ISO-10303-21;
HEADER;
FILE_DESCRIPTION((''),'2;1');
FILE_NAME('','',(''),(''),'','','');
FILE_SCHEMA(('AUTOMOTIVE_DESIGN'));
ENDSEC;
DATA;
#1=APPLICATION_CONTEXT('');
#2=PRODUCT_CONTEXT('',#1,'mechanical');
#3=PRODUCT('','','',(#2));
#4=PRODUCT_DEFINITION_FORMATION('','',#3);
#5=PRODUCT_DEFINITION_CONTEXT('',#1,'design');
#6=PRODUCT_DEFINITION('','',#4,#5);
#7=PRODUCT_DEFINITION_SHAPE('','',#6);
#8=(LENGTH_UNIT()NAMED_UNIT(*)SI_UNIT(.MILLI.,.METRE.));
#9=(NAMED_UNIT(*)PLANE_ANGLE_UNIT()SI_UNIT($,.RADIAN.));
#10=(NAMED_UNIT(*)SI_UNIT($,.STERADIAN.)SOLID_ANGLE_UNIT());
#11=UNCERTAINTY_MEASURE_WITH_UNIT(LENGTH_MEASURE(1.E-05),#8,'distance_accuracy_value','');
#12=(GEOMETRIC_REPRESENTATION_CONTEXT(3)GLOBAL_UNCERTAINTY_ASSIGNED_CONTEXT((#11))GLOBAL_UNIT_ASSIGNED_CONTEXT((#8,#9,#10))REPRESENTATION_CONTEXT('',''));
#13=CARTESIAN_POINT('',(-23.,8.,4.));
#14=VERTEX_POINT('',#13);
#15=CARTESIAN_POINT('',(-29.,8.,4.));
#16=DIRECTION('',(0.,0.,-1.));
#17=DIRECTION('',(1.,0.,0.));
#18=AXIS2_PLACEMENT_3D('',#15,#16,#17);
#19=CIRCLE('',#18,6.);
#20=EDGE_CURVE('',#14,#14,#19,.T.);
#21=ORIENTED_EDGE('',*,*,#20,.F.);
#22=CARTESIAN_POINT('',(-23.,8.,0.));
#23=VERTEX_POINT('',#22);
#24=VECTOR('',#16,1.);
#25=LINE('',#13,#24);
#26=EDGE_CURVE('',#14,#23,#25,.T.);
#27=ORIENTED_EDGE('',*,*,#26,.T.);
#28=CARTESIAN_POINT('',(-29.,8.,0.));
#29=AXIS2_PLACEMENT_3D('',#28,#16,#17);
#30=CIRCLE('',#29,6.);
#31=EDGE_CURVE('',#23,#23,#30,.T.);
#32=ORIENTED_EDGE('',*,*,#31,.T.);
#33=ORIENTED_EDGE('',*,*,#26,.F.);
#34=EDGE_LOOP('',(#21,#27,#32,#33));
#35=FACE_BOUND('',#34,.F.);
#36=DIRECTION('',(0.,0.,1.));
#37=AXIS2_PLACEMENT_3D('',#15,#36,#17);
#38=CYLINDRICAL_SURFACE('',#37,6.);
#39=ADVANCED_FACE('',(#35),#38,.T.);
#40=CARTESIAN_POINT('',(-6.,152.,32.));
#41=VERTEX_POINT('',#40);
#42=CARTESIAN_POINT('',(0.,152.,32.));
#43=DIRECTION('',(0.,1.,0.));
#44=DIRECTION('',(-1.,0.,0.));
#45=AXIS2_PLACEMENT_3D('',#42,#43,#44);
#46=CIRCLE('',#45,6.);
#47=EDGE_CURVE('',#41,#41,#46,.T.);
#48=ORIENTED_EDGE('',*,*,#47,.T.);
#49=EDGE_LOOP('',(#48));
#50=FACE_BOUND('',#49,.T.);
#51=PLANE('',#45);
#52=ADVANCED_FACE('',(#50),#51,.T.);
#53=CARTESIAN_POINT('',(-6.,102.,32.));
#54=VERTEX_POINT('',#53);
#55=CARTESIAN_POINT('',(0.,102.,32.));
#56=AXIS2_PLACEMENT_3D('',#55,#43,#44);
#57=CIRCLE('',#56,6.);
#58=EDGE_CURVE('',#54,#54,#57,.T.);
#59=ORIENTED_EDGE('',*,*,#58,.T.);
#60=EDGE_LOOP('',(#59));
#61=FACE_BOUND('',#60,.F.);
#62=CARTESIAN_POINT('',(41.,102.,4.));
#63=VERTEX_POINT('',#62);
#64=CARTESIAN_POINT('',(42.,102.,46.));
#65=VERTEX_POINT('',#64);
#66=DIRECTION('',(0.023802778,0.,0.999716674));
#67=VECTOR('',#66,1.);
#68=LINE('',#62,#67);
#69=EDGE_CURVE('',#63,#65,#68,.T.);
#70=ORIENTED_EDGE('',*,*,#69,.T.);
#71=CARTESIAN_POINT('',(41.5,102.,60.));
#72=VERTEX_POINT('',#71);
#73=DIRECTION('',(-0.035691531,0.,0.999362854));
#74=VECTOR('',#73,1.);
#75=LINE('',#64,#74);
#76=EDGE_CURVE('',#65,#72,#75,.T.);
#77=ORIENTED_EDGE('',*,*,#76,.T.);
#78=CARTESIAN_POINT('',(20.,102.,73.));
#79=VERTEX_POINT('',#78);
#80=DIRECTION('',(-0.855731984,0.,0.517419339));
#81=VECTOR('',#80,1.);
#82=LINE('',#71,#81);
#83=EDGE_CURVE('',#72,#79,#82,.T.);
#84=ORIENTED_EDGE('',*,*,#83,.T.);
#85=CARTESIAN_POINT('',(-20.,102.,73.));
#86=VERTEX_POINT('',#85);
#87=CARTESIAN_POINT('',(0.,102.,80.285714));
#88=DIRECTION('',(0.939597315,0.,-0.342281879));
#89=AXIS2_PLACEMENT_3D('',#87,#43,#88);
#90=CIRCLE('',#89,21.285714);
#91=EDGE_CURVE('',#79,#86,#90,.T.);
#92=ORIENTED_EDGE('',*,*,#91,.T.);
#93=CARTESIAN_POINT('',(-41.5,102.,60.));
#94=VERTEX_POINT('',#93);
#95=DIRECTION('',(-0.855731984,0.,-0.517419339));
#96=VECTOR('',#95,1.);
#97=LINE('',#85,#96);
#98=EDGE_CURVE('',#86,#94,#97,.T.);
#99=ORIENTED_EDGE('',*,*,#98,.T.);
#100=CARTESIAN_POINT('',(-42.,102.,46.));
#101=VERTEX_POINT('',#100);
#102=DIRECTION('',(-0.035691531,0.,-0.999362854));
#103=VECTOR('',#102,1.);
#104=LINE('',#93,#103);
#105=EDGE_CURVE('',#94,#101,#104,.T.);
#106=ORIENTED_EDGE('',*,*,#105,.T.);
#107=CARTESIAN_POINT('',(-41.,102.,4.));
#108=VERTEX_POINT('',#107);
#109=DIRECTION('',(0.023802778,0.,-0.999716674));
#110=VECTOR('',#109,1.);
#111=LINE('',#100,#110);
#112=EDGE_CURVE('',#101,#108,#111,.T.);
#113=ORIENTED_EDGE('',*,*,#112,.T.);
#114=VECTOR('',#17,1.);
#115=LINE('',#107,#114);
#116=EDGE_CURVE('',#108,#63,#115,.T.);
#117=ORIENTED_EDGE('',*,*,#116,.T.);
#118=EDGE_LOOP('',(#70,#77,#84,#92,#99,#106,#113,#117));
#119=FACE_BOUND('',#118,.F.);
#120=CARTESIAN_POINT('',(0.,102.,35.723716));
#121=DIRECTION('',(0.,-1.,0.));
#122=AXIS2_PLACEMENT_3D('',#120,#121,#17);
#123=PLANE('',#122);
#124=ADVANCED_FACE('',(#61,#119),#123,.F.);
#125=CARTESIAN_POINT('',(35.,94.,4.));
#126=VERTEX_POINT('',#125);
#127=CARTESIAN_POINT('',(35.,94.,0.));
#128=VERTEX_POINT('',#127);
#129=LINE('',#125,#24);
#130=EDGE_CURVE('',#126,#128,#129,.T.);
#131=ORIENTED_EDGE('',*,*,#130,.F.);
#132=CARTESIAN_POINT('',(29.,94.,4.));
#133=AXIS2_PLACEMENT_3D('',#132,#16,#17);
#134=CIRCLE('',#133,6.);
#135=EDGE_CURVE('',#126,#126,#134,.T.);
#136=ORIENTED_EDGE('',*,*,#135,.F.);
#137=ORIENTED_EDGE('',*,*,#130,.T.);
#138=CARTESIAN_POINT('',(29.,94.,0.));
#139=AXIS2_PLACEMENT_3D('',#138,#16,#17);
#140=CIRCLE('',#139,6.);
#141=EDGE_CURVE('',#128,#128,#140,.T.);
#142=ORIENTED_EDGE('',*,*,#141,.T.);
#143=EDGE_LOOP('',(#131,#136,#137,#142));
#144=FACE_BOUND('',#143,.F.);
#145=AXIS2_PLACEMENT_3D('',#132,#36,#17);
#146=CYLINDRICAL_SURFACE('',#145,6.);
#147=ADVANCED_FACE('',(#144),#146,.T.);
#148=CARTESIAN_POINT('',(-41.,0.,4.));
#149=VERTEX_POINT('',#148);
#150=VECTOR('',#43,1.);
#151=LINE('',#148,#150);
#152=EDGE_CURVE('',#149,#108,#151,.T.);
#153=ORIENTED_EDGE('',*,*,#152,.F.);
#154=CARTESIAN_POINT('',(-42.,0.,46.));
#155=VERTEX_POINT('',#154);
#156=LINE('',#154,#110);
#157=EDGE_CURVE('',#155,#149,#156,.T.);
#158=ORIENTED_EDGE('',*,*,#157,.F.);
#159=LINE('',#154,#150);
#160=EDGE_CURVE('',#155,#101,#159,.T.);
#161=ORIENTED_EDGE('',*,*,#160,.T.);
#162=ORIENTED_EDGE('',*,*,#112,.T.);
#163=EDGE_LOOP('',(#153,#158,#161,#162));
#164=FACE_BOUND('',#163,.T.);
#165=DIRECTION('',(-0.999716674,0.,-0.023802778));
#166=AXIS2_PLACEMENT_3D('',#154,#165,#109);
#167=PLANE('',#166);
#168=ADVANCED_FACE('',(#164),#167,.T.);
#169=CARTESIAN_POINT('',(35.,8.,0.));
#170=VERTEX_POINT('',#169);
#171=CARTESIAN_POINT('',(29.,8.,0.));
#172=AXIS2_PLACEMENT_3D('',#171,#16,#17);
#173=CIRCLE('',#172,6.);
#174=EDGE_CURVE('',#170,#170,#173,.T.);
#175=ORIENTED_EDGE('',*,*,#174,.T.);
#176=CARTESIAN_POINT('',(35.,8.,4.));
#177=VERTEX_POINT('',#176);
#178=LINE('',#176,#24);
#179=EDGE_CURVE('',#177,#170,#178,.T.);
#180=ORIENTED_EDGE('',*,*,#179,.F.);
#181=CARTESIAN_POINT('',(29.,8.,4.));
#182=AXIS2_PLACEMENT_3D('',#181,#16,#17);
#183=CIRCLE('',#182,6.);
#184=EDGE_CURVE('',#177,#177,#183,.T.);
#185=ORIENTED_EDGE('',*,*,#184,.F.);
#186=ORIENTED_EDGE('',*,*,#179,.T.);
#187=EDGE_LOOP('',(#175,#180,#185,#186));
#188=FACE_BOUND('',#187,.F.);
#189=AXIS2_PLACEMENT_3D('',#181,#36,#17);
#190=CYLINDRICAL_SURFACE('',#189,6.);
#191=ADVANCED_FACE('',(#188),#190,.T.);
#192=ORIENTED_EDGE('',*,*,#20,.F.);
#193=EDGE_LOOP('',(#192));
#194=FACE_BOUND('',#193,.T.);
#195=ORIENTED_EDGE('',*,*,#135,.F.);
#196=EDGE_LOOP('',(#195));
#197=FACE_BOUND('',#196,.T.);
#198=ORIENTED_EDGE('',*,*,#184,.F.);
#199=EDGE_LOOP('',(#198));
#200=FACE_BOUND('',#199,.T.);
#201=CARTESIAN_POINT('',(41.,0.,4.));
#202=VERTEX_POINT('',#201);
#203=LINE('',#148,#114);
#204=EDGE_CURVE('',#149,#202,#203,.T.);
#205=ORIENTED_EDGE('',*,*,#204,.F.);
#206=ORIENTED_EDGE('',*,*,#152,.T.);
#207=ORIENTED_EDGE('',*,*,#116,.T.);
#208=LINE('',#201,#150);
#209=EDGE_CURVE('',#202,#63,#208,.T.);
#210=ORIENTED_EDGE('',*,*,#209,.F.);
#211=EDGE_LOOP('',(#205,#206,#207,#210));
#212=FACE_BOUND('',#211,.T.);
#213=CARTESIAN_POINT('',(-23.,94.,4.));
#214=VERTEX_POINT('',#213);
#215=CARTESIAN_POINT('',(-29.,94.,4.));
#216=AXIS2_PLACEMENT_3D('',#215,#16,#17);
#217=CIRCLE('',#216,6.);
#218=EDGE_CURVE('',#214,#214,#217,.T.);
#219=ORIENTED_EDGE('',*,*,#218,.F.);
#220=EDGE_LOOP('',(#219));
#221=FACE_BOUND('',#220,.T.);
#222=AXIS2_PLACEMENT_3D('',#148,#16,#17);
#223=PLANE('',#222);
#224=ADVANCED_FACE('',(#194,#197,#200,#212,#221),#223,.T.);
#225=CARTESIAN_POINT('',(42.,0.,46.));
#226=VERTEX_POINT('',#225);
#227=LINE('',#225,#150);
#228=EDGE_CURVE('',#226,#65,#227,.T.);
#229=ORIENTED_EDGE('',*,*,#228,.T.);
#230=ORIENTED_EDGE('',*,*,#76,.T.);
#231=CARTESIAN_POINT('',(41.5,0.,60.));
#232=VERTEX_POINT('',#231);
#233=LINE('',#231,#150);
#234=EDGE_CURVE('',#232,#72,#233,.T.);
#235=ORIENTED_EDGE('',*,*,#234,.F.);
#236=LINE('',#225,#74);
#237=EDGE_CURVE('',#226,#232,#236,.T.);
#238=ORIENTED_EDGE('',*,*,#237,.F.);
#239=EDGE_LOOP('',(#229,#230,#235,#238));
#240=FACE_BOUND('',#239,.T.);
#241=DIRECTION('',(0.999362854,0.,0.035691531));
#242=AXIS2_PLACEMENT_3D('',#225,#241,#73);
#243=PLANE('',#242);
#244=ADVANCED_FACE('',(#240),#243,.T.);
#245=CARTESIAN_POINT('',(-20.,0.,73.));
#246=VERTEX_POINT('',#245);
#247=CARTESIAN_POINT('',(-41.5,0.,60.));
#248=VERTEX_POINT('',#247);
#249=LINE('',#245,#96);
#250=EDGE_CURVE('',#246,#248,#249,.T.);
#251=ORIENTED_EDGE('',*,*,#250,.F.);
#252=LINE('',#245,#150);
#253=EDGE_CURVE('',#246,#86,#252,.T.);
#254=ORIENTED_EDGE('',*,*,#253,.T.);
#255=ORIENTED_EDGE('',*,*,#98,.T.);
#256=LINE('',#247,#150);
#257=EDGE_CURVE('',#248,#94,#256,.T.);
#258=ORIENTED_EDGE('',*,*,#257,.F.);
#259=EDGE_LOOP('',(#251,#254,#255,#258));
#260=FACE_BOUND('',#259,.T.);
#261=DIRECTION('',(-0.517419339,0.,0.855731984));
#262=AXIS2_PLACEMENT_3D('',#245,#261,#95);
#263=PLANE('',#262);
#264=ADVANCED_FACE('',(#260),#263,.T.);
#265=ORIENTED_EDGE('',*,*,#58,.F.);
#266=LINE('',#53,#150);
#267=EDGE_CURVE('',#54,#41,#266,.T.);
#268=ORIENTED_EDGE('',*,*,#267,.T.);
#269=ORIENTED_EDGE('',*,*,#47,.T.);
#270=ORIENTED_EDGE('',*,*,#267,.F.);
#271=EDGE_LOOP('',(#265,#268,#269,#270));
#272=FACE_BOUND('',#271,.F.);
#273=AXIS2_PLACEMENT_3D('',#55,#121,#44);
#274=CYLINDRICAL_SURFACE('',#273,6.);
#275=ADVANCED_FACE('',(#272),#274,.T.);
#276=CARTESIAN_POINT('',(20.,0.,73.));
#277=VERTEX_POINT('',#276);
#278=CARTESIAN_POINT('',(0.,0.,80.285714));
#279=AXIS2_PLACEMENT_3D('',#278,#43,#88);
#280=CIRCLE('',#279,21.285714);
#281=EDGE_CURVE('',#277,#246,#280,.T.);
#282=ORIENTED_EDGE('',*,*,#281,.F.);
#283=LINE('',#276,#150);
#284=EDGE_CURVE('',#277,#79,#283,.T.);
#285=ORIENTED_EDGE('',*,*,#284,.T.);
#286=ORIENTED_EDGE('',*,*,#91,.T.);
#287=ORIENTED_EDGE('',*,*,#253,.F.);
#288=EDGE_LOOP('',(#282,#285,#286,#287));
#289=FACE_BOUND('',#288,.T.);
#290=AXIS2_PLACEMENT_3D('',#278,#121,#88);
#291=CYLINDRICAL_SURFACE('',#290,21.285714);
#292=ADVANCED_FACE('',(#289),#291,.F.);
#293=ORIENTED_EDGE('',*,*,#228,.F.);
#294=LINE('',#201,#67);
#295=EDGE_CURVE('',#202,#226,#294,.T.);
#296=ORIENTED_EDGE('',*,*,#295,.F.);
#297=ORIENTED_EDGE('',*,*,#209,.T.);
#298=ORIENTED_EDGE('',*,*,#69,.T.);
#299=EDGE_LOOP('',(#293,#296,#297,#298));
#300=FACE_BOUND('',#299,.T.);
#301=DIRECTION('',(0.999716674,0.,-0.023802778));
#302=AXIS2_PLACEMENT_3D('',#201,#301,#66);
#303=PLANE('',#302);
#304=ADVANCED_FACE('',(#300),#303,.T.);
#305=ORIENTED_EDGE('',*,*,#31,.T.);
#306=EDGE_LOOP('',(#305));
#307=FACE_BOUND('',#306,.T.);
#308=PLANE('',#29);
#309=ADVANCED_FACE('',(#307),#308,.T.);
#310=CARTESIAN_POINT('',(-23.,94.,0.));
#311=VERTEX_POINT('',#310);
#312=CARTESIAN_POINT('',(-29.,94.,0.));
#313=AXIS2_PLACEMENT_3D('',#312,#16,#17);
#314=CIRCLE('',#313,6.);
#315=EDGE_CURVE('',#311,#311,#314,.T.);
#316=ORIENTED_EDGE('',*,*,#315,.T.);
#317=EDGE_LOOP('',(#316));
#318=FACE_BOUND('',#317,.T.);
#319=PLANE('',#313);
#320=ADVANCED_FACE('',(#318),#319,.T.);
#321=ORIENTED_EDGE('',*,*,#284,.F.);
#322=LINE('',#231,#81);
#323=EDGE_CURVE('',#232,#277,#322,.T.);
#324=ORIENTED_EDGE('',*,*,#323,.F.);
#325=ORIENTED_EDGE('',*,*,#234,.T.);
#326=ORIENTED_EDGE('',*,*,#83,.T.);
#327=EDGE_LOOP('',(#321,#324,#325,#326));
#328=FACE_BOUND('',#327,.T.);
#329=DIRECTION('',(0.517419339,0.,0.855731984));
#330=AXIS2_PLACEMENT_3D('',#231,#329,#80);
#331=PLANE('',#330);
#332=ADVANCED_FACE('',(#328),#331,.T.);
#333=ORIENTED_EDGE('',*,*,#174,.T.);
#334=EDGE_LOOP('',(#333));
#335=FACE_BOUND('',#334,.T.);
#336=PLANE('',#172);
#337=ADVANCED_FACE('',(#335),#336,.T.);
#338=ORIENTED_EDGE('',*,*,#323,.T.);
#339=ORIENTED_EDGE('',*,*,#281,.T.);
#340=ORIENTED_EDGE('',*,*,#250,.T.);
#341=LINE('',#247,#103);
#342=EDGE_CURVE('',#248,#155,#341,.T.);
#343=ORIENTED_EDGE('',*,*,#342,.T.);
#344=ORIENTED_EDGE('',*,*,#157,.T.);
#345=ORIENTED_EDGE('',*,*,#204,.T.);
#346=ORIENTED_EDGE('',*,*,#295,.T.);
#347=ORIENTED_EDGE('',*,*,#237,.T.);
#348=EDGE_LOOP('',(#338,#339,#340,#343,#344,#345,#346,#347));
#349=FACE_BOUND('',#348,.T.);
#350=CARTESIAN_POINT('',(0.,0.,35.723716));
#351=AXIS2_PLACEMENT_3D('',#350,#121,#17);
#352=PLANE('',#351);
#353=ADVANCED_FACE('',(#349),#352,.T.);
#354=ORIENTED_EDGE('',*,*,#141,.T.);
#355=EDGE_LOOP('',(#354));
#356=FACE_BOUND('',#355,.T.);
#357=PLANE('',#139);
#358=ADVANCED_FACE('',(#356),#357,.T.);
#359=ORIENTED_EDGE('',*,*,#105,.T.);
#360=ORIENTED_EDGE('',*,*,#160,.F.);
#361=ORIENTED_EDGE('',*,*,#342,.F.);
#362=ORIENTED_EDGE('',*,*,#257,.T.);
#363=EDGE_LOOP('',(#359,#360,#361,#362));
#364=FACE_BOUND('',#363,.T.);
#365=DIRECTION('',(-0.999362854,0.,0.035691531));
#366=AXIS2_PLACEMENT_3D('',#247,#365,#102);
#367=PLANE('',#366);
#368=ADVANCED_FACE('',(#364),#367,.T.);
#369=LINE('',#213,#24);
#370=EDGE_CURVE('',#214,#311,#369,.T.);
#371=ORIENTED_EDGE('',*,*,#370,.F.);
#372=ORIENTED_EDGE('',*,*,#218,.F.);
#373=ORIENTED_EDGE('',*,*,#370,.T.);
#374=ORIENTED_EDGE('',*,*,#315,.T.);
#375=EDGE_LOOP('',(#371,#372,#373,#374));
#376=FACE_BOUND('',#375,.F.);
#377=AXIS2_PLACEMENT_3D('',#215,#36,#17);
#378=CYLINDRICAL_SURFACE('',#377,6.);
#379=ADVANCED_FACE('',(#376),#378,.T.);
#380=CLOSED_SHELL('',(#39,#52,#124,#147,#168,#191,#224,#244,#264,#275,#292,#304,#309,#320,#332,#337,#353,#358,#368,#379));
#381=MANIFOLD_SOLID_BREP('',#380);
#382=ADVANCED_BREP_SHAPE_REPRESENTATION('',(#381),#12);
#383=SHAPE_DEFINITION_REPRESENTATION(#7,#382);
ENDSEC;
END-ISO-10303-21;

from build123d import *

# Parameters (mm, degrees)
F1_DEPTH = 102
F2_R     = 6
F3_DEPTH = 50
F4_R     = 6
F5_DEPTH = 4


with BuildPart() as f1:
    # F0 (on Front) → F1 (new body)
    with BuildSketch(Plane.XZ):
        with BuildLine():
            Line((-41, 4), (0, 4))
            Line((0, 4), (41, 4))
            Line((41, 4), (42, 46))
            Line((42, 46), (41.5, 60))
            Line((41.5, 60), (20, 73))
            ThreePointArc((20, 73), (0, 59), (-20, 73))
            Line((-20, 73), (-41.5, 60))
            Line((-41.5, 60), (-42, 46))
            Line((-42, 46), (-41, 4))
        make_face()
    extrude(amount=-F1_DEPTH)

    # F2 (on face) → F3 (join)
    with BuildSketch(Plane(origin=(0, 102, 0), x_dir=(-1, 0, 0), z_dir=(0, 1, 0))):
        with Locations((0, 32)):
            Circle(F2_R)
    extrude(amount=F3_DEPTH)

    # F4 (on face) → F5 (join)
    with BuildSketch(Plane(origin=(0, 0, 4), x_dir=(1, 0, 0), z_dir=(0, 0, -1))):
        with Locations((29, -94)):
            Circle(F4_R)
        with Locations((-29, -94)):
            Circle(F4_R)
        with Locations((-29, -8)):
            Circle(F4_R)
        with Locations((29, -8)):
            Circle(F4_R)
    extrude(amount=F5_DEPTH)


solid = f1.part
